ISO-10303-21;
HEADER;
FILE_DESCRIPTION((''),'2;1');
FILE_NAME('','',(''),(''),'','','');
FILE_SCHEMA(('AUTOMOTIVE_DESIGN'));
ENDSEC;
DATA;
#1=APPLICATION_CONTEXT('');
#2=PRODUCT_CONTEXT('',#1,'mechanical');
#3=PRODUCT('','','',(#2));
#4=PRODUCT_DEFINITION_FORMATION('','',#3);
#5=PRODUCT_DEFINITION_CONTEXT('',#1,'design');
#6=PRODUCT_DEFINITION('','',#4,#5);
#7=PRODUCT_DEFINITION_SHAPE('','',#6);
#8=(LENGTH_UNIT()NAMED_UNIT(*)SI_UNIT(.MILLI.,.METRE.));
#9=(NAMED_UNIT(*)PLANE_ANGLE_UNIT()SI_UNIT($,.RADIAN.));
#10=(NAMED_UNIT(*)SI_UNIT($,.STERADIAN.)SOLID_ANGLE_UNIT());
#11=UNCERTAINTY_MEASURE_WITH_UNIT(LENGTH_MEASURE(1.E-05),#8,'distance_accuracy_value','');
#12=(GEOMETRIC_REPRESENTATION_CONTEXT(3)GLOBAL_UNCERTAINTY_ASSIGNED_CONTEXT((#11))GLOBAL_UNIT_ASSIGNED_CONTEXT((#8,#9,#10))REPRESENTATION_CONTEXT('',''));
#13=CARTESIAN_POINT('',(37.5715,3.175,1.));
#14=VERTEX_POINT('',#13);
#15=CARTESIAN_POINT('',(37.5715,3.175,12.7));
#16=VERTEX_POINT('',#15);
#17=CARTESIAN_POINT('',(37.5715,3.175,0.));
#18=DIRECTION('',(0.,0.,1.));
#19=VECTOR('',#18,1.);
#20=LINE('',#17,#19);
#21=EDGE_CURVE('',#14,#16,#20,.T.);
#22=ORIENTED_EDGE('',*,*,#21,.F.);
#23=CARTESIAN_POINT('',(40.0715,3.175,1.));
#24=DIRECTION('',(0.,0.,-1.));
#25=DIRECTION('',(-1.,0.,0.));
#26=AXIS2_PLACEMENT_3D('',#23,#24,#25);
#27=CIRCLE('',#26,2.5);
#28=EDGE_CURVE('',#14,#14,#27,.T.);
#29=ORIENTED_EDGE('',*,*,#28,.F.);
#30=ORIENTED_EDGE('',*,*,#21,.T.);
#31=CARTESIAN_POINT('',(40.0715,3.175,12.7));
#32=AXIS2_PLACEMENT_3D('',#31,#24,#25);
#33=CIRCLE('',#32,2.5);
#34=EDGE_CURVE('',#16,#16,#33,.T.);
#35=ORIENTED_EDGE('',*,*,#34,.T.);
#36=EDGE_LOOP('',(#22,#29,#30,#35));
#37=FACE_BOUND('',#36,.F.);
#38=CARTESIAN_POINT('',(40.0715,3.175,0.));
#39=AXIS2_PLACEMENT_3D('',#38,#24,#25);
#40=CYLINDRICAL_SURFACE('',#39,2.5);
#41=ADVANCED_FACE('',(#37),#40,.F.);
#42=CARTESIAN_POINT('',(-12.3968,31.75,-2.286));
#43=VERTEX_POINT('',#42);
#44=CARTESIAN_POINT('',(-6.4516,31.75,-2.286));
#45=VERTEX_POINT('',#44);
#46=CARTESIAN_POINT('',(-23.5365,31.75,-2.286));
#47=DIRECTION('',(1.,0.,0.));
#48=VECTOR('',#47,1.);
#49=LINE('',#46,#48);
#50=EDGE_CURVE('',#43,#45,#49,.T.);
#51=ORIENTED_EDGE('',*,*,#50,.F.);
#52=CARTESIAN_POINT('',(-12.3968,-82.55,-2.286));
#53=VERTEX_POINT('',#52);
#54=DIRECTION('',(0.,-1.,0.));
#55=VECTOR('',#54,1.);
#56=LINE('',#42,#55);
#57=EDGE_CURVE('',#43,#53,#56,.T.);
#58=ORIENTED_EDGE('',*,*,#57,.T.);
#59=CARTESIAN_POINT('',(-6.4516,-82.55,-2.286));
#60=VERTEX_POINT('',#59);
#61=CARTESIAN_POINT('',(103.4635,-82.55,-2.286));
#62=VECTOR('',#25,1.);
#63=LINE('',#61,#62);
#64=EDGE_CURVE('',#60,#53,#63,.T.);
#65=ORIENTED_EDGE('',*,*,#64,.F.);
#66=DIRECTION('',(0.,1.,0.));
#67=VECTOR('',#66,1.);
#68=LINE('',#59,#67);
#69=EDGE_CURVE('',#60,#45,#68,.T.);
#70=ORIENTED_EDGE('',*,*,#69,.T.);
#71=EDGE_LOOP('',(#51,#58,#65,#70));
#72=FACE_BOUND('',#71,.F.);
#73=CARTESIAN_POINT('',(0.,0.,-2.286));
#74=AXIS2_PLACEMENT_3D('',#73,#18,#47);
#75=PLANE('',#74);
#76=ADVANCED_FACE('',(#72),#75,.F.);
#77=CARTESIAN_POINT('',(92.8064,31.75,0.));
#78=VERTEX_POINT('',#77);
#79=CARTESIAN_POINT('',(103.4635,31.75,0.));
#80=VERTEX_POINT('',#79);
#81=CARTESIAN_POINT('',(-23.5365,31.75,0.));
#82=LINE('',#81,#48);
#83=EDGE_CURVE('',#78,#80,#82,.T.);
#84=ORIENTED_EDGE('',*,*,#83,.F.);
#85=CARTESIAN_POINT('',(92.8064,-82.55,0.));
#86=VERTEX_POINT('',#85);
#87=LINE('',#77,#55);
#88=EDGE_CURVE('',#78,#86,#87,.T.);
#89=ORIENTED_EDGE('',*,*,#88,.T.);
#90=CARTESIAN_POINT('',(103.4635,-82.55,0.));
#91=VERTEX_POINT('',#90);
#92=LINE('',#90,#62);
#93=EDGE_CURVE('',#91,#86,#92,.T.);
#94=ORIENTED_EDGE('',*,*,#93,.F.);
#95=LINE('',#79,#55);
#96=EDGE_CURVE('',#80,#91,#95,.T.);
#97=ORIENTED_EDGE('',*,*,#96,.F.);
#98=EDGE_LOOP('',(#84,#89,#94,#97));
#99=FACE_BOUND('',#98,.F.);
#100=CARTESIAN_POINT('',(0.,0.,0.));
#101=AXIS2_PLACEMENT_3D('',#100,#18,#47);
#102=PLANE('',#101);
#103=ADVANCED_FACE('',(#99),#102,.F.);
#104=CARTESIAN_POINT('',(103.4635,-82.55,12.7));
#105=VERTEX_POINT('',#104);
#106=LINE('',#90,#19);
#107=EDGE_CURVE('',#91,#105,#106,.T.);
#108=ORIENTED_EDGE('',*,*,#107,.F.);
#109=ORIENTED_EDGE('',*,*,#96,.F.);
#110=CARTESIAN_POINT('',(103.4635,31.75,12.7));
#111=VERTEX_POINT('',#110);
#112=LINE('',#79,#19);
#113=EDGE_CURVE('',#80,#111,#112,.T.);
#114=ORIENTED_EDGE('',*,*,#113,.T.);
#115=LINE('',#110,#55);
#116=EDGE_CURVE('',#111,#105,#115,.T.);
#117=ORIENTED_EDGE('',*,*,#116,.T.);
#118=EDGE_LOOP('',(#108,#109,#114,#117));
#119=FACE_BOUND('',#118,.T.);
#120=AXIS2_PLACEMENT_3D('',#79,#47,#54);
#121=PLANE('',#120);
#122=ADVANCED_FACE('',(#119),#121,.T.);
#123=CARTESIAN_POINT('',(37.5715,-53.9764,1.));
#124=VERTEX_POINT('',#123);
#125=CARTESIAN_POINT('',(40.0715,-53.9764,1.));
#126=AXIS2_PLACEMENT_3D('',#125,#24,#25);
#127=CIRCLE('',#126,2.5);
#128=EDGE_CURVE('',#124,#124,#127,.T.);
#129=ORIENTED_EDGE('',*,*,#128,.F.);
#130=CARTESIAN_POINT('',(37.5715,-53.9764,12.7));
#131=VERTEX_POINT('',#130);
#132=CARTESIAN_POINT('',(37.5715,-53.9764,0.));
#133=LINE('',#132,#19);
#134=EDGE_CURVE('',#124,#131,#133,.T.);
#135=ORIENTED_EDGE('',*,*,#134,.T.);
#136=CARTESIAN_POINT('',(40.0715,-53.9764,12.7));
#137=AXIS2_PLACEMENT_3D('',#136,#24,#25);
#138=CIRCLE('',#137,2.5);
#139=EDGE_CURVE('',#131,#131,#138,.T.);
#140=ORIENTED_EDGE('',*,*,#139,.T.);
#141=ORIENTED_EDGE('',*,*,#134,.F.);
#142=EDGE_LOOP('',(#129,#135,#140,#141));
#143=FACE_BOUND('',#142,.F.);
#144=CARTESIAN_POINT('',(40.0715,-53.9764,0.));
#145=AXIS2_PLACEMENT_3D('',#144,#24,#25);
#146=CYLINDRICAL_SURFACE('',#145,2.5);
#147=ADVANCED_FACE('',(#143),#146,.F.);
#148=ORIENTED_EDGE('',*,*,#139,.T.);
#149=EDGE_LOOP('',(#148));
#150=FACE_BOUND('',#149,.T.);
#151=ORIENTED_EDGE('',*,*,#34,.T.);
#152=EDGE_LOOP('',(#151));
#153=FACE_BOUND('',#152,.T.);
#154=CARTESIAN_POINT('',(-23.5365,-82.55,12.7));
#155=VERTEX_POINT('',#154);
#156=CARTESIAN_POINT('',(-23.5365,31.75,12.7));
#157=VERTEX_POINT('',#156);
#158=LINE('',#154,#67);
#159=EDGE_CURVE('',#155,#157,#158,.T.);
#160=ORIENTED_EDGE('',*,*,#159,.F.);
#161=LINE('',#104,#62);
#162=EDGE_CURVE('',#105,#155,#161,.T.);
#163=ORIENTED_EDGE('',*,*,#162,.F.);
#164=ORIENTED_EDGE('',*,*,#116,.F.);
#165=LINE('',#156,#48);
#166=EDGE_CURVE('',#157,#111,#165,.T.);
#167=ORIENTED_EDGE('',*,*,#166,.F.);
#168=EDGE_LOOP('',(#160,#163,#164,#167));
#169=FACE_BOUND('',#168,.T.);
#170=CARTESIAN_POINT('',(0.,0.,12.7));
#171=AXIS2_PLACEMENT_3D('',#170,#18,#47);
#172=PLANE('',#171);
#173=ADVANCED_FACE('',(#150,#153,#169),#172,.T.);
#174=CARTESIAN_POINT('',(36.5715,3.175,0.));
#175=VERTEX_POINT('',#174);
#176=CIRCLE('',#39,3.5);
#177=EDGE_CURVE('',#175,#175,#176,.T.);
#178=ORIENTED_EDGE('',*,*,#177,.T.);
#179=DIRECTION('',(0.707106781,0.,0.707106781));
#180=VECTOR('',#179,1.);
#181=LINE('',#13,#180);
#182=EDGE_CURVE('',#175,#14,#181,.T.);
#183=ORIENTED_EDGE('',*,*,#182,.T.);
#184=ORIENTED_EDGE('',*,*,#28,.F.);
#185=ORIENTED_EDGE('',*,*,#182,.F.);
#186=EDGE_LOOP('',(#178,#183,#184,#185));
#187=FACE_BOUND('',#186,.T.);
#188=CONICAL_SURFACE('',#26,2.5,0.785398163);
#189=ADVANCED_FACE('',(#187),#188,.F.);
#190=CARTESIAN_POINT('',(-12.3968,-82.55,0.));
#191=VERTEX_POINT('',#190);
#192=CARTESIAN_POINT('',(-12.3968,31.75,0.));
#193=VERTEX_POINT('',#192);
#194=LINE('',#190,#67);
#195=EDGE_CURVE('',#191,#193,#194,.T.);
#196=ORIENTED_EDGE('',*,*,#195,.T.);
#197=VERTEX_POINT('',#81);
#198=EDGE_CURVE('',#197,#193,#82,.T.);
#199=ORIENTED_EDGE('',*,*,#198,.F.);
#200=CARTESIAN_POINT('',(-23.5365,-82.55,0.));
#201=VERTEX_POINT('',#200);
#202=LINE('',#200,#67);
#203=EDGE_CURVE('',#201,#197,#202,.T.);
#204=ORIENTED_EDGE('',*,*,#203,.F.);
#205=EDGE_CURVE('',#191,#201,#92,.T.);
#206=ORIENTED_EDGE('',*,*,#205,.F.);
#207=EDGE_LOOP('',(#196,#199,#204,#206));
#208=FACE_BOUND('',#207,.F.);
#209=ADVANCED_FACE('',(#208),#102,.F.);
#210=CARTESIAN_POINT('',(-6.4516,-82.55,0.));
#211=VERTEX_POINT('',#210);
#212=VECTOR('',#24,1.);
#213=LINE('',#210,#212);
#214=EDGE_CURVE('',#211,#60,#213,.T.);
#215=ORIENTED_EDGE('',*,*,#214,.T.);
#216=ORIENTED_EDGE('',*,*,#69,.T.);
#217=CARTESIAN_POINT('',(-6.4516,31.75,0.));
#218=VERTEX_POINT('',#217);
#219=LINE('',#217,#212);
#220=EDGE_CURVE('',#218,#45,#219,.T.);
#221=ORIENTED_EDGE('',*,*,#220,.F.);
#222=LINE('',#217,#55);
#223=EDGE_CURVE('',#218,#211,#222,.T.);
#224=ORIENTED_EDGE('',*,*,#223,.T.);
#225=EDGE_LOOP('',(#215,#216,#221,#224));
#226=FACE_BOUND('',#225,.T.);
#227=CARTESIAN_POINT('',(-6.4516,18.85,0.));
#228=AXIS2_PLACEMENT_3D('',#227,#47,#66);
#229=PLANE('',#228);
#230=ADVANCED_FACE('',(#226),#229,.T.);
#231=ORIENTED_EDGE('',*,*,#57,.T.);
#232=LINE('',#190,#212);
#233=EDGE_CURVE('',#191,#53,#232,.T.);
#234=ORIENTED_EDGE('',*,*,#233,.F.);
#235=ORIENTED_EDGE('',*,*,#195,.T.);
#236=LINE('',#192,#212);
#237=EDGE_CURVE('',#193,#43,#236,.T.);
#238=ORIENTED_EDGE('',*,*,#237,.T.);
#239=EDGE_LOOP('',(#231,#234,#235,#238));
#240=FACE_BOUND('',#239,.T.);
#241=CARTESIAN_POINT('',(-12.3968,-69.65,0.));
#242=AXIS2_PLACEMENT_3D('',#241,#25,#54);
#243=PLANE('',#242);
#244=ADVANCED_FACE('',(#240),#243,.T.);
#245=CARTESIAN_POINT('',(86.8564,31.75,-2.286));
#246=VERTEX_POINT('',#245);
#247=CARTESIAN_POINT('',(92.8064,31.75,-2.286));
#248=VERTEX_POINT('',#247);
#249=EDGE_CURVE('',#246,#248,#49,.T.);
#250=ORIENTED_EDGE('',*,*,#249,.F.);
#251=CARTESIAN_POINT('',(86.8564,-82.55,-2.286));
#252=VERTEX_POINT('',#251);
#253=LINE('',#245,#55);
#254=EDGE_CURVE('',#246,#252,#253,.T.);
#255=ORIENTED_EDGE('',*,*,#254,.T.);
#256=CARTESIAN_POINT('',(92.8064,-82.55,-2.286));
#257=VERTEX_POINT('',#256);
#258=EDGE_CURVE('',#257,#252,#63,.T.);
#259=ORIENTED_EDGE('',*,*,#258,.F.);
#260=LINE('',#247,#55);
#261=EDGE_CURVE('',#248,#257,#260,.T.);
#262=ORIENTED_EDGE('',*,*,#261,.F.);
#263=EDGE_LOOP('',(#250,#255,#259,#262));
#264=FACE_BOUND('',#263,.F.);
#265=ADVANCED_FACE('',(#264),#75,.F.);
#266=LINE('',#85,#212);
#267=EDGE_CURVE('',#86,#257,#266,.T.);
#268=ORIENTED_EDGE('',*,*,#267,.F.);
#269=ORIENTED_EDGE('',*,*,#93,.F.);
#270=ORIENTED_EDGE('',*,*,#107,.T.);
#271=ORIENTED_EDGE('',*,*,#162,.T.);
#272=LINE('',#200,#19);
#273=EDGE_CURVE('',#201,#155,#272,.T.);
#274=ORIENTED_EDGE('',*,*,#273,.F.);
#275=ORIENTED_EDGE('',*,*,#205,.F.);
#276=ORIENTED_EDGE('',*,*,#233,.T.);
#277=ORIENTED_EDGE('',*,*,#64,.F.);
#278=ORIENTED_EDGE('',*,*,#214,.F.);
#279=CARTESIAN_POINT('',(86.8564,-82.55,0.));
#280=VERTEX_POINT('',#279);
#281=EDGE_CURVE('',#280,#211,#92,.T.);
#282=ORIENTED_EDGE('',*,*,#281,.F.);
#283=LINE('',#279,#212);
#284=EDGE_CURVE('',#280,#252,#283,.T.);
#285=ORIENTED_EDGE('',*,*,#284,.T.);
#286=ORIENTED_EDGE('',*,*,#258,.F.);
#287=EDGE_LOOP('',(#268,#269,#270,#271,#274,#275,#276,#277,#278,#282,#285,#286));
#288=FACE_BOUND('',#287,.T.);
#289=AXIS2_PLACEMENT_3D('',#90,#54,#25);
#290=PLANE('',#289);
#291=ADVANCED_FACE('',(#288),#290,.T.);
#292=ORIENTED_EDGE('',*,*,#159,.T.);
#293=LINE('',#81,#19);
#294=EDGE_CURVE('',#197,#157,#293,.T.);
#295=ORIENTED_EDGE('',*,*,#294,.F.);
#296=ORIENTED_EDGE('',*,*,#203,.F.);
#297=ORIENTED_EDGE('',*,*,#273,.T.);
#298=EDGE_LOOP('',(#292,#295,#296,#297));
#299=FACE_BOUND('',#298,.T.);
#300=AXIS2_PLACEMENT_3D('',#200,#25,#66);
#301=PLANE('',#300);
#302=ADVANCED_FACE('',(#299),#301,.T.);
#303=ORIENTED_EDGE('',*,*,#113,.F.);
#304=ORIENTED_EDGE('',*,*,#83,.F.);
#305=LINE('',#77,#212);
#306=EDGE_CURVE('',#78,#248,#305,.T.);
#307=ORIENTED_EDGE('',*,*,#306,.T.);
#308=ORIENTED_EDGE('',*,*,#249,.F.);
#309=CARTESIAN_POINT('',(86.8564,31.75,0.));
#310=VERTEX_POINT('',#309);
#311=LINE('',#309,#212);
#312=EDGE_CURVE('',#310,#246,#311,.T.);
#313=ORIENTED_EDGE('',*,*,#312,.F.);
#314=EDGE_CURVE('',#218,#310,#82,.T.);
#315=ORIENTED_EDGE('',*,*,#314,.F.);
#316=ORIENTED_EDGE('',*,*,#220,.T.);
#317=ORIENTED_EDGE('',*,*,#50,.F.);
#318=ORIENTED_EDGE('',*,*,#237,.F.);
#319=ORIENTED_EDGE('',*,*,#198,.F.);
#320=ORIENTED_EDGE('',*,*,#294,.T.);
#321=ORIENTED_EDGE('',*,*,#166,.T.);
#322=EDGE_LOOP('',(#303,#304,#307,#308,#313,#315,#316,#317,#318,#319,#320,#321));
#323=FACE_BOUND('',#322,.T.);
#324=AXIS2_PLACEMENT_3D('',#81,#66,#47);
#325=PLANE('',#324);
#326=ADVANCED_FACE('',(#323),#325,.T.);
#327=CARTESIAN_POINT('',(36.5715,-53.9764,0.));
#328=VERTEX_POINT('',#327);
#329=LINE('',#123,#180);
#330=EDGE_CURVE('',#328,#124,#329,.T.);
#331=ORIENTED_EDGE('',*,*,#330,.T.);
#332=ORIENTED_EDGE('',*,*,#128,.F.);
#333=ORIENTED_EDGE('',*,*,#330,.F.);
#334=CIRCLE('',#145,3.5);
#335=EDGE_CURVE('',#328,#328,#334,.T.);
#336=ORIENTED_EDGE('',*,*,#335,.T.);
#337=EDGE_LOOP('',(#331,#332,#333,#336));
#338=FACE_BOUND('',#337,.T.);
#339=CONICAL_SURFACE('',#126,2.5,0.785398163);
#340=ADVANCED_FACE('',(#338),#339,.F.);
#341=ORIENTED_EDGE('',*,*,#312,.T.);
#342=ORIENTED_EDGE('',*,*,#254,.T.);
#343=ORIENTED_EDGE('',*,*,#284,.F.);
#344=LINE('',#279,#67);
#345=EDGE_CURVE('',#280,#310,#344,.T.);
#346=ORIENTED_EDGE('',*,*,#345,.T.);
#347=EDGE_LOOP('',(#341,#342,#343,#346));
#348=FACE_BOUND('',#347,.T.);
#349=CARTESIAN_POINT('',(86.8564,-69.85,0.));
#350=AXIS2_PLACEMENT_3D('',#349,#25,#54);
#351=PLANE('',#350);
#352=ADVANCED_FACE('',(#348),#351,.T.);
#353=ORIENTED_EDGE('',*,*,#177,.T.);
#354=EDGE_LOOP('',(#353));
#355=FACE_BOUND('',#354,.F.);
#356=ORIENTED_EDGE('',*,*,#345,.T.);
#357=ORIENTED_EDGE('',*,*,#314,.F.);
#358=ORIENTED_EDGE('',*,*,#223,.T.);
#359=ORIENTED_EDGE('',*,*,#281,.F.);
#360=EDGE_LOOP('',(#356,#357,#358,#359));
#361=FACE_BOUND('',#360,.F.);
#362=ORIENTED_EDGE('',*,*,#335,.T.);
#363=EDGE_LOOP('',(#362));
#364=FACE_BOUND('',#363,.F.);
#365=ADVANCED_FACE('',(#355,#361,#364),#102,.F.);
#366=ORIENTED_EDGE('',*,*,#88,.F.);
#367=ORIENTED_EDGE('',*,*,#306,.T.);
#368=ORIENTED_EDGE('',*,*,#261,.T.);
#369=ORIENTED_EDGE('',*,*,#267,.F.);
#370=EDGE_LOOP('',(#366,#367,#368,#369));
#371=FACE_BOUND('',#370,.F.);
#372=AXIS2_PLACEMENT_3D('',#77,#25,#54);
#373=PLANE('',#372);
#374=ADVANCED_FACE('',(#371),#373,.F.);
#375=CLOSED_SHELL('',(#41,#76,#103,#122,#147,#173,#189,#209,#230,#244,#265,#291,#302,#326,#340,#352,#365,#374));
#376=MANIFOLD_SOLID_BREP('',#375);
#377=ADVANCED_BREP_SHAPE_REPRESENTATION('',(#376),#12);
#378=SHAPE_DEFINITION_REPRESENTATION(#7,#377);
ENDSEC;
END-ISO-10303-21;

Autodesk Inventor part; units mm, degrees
ref_plane "YZ Plane" through (0, 0, 0) normal (1, 0, 0) x (0, 1, 0)
ref_plane "XZ Plane" through (0, 0, 0) normal (0, 1, 0) x (-1, 0, 0)
ref_plane "XY Plane" through (0, 0, 0) normal (0, 0, 1) x (1, 0, 0)
sketch "Sketch1" plane through (0, 0, 0) normal (0, 0, 1) x (1, 0, 0)
  line L0 (86.5564, -16.51) -> (86.5564, 16.51) projected
  line L1 (93.1064, -19.05) -> (93.1064, 19.05) projected
  line L2 (86.5564, 19.05) -> (86.5564, -19.05) projected
  line L3 (93.1064, -19.05) -> (93.1064, 19.05) projected
  line L4 (-12.6968, 19.05) -> (-12.6968, -19.05) projected
  line L5 (-6.1468, -19.05) -> (-6.1468, 19.05) projected
  line L6 (-12.6968, -31.75) -> (-12.6968, -69.85) projected
  line L7 (-6.1468, -69.85) -> (-6.1468, -31.75) projected
  line L8 (86.5564, -31.75) -> (86.5564, -69.85) projected
  line L9 (93.1064, -69.85) -> (93.1064, -31.75) projected
  line L10 (-12.6968, -19.05) -> (-12.6968, -31.75)
  line L11 (-6.1468, -31.75) -> (-6.1468, -19.05)
  line L12 (-12.3968, -19.05) -> (-12.3968, 18.85)
  line L13 (-6.4516, 18.85) -> (-6.4516, -19.05)
  line L14 (-6.4516, -19.05) -> (-6.4516, -31.75)
  line L15 (-6.4516, -31.75) -> (-6.4516, -69.65)
  line L16 (-12.3968, -69.65) -> (-12.3968, -31.75)
  line L17 (-12.3968, -31.75) -> (-12.3968, -19.05)
  line L18 (8.247, -25.4) -> (71.6799, -25.4) construction
  line L19 (39.9635, 46.4598) -> (39.9635, -93.3096) construction
  line L20 (-23.5365, 31.75) -> (103.4635, 31.75)
  line L21 (103.4635, 31.75) -> (103.4635, -82.55)
  line L22 (103.4635, -82.55) -> (-23.5365, -82.55)
  line L23 (-23.5365, -82.55) -> (-23.5365, 31.75)
  line L24 (-23.5365, 31.75) -> (103.4635, -82.55) construction
  line L25 (103.4635, 31.75) -> (-23.5365, -82.55) construction
  line L26 (86.5564, -19.05) -> (86.5564, -31.75)
  line L27 (93.1064, -31.75) -> (93.1064, -19.05)
  line L28 (86.5564, 19.05) -> (86.5564, 31.75)
  line L29 (93.1064, 19.05) -> (93.1064, 31.75)
  line L30 (93.1064, -69.85) -> (93.1064, -82.55)
  line L31 (86.5564, -69.85) -> (86.5564, -82.55)
  line L32 (-12.3968, 18.85) -> (-12.3968, 31.75)
  line L33 (-6.4516, 18.85) -> (-6.4516, 31.75)
  line L34 (-6.1468, -69.85) -> (-6.1468, -82.55)
  line L35 (-12.3968, -69.65) -> (-12.3968, -82.55)
  line L36 (-12.6968, 19.05) -> (-12.6968, 31.75)
  line L37 (-6.1468, 19.05) -> (-6.1468, 31.75)
  line L38 (-12.6968, -69.85) -> (-12.6968, -82.55)
  line L39 (-6.4516, -69.65) -> (-6.4516, -82.55)
  line L40 (86.8564, 31.75) -> (86.8564, 19.05)
  line L41 (86.8564, 19.05) -> (86.8564, -19.05)
  line L42 (86.8564, -19.05) -> (86.8564, -31.75)
  line L43 (86.8564, -31.75) -> (86.8564, -69.85)
  line L44 (86.8564, -69.85) -> (86.8564, -82.55)
  line L45 (93.1064, 31.75) -> (93.1064, -82.55)
  line L46 (93.1064, 31.75) -> (93.1064, -82.55)
  line L47 (92.8064, 31.75) -> (92.8064, -82.55)
  point P0 (0, 0)
  point P1 (93.1064, -16.51)
  point P2 (39.9635, -25.4)
  dimension "d0" = 0.3
  dimension "d1" = 127
  dimension "d2" = 114.3
  dimension "d7" = 0.3
  dimension "d8" = 0.3
  dimension "d9" = 0.3048
extrude "Extrusion1" add sketch "Sketch1" against normal blind 2.286 contours L20 L47 L22 L44 L43 L42 L41 L40 | L33 L13 L14 L15 L39 L22 L35 L16 L17 L12 L32 L20
sketch "Sketch2" plane through (0, 0, 0) normal (0, 0, 1) x (1, 0, 0)
  line L0 (103.4635, 31.75) -> (103.4635, -82.55) projected
  line L1 (-23.5365, 31.75) -> (103.4635, 31.75) projected
  line L2 (-23.5365, -82.55) -> (-23.5365, 31.75) projected
  line L3 (103.4635, -82.55) -> (-23.5365, -82.55) projected
  point P0 (0, 0)
  point P1 (93.1064, 31.75)
extrude "Extrusion2" add sketch "Sketch2" along normal blind 12.7
sketch "Sketch3" plane through (0, 0, 12.7) normal (0, 0, 1) x (1, 0, 0)
  line L0 (-23.5365, 31.75) -> (-23.5365, -82.55) projected
  line L1 (-23.5365, -82.55) -> (103.4635, -82.55) projected
  line L2 (103.4635, -82.55) -> (103.4635, 31.75) projected
  line L3 (103.4635, 31.75) -> (-23.5365, 31.75) projected
  point P0 (0, 0)
sketch "Sketch4" plane through (0, 0, 0) normal (0, 0, -1) x (-1, 0, 0)
  line L0 (6.4516, -82.55) -> (6.4516, 31.75) projected
  line L1 (-86.8564, 31.75) -> (6.4516, 31.75) projected
  line L2 (-86.8564, 31.75) -> (-86.8564, -82.55) projected
  line L3 (6.4516, -82.55) -> (-86.8564, -82.55) projected
  line L4 (-39.9406, -25.4) -> (-40.2024, 31.75) construction
  circle A0 centre (-40.0715, 3.175) radius 2.5
  line L5 (-8.2452, -25.4007) -> (-71.9453, -25.4007) construction
  circle A1 centre (-40.0715, -53.9764) radius 2.5
  point P0 (0, 0)
  dimension "d10" = 5
extrude "Extrusion3" cut sketch "Sketch4" against normal up to surface (12.7 mm away) contours A0 | A1
chamfer "Chamfer1" distance 1 angle 45 2 edges at (42.5715, 3.175, 0) (42.5715, -53.9764, 0)
properties part number "CartTrack"
